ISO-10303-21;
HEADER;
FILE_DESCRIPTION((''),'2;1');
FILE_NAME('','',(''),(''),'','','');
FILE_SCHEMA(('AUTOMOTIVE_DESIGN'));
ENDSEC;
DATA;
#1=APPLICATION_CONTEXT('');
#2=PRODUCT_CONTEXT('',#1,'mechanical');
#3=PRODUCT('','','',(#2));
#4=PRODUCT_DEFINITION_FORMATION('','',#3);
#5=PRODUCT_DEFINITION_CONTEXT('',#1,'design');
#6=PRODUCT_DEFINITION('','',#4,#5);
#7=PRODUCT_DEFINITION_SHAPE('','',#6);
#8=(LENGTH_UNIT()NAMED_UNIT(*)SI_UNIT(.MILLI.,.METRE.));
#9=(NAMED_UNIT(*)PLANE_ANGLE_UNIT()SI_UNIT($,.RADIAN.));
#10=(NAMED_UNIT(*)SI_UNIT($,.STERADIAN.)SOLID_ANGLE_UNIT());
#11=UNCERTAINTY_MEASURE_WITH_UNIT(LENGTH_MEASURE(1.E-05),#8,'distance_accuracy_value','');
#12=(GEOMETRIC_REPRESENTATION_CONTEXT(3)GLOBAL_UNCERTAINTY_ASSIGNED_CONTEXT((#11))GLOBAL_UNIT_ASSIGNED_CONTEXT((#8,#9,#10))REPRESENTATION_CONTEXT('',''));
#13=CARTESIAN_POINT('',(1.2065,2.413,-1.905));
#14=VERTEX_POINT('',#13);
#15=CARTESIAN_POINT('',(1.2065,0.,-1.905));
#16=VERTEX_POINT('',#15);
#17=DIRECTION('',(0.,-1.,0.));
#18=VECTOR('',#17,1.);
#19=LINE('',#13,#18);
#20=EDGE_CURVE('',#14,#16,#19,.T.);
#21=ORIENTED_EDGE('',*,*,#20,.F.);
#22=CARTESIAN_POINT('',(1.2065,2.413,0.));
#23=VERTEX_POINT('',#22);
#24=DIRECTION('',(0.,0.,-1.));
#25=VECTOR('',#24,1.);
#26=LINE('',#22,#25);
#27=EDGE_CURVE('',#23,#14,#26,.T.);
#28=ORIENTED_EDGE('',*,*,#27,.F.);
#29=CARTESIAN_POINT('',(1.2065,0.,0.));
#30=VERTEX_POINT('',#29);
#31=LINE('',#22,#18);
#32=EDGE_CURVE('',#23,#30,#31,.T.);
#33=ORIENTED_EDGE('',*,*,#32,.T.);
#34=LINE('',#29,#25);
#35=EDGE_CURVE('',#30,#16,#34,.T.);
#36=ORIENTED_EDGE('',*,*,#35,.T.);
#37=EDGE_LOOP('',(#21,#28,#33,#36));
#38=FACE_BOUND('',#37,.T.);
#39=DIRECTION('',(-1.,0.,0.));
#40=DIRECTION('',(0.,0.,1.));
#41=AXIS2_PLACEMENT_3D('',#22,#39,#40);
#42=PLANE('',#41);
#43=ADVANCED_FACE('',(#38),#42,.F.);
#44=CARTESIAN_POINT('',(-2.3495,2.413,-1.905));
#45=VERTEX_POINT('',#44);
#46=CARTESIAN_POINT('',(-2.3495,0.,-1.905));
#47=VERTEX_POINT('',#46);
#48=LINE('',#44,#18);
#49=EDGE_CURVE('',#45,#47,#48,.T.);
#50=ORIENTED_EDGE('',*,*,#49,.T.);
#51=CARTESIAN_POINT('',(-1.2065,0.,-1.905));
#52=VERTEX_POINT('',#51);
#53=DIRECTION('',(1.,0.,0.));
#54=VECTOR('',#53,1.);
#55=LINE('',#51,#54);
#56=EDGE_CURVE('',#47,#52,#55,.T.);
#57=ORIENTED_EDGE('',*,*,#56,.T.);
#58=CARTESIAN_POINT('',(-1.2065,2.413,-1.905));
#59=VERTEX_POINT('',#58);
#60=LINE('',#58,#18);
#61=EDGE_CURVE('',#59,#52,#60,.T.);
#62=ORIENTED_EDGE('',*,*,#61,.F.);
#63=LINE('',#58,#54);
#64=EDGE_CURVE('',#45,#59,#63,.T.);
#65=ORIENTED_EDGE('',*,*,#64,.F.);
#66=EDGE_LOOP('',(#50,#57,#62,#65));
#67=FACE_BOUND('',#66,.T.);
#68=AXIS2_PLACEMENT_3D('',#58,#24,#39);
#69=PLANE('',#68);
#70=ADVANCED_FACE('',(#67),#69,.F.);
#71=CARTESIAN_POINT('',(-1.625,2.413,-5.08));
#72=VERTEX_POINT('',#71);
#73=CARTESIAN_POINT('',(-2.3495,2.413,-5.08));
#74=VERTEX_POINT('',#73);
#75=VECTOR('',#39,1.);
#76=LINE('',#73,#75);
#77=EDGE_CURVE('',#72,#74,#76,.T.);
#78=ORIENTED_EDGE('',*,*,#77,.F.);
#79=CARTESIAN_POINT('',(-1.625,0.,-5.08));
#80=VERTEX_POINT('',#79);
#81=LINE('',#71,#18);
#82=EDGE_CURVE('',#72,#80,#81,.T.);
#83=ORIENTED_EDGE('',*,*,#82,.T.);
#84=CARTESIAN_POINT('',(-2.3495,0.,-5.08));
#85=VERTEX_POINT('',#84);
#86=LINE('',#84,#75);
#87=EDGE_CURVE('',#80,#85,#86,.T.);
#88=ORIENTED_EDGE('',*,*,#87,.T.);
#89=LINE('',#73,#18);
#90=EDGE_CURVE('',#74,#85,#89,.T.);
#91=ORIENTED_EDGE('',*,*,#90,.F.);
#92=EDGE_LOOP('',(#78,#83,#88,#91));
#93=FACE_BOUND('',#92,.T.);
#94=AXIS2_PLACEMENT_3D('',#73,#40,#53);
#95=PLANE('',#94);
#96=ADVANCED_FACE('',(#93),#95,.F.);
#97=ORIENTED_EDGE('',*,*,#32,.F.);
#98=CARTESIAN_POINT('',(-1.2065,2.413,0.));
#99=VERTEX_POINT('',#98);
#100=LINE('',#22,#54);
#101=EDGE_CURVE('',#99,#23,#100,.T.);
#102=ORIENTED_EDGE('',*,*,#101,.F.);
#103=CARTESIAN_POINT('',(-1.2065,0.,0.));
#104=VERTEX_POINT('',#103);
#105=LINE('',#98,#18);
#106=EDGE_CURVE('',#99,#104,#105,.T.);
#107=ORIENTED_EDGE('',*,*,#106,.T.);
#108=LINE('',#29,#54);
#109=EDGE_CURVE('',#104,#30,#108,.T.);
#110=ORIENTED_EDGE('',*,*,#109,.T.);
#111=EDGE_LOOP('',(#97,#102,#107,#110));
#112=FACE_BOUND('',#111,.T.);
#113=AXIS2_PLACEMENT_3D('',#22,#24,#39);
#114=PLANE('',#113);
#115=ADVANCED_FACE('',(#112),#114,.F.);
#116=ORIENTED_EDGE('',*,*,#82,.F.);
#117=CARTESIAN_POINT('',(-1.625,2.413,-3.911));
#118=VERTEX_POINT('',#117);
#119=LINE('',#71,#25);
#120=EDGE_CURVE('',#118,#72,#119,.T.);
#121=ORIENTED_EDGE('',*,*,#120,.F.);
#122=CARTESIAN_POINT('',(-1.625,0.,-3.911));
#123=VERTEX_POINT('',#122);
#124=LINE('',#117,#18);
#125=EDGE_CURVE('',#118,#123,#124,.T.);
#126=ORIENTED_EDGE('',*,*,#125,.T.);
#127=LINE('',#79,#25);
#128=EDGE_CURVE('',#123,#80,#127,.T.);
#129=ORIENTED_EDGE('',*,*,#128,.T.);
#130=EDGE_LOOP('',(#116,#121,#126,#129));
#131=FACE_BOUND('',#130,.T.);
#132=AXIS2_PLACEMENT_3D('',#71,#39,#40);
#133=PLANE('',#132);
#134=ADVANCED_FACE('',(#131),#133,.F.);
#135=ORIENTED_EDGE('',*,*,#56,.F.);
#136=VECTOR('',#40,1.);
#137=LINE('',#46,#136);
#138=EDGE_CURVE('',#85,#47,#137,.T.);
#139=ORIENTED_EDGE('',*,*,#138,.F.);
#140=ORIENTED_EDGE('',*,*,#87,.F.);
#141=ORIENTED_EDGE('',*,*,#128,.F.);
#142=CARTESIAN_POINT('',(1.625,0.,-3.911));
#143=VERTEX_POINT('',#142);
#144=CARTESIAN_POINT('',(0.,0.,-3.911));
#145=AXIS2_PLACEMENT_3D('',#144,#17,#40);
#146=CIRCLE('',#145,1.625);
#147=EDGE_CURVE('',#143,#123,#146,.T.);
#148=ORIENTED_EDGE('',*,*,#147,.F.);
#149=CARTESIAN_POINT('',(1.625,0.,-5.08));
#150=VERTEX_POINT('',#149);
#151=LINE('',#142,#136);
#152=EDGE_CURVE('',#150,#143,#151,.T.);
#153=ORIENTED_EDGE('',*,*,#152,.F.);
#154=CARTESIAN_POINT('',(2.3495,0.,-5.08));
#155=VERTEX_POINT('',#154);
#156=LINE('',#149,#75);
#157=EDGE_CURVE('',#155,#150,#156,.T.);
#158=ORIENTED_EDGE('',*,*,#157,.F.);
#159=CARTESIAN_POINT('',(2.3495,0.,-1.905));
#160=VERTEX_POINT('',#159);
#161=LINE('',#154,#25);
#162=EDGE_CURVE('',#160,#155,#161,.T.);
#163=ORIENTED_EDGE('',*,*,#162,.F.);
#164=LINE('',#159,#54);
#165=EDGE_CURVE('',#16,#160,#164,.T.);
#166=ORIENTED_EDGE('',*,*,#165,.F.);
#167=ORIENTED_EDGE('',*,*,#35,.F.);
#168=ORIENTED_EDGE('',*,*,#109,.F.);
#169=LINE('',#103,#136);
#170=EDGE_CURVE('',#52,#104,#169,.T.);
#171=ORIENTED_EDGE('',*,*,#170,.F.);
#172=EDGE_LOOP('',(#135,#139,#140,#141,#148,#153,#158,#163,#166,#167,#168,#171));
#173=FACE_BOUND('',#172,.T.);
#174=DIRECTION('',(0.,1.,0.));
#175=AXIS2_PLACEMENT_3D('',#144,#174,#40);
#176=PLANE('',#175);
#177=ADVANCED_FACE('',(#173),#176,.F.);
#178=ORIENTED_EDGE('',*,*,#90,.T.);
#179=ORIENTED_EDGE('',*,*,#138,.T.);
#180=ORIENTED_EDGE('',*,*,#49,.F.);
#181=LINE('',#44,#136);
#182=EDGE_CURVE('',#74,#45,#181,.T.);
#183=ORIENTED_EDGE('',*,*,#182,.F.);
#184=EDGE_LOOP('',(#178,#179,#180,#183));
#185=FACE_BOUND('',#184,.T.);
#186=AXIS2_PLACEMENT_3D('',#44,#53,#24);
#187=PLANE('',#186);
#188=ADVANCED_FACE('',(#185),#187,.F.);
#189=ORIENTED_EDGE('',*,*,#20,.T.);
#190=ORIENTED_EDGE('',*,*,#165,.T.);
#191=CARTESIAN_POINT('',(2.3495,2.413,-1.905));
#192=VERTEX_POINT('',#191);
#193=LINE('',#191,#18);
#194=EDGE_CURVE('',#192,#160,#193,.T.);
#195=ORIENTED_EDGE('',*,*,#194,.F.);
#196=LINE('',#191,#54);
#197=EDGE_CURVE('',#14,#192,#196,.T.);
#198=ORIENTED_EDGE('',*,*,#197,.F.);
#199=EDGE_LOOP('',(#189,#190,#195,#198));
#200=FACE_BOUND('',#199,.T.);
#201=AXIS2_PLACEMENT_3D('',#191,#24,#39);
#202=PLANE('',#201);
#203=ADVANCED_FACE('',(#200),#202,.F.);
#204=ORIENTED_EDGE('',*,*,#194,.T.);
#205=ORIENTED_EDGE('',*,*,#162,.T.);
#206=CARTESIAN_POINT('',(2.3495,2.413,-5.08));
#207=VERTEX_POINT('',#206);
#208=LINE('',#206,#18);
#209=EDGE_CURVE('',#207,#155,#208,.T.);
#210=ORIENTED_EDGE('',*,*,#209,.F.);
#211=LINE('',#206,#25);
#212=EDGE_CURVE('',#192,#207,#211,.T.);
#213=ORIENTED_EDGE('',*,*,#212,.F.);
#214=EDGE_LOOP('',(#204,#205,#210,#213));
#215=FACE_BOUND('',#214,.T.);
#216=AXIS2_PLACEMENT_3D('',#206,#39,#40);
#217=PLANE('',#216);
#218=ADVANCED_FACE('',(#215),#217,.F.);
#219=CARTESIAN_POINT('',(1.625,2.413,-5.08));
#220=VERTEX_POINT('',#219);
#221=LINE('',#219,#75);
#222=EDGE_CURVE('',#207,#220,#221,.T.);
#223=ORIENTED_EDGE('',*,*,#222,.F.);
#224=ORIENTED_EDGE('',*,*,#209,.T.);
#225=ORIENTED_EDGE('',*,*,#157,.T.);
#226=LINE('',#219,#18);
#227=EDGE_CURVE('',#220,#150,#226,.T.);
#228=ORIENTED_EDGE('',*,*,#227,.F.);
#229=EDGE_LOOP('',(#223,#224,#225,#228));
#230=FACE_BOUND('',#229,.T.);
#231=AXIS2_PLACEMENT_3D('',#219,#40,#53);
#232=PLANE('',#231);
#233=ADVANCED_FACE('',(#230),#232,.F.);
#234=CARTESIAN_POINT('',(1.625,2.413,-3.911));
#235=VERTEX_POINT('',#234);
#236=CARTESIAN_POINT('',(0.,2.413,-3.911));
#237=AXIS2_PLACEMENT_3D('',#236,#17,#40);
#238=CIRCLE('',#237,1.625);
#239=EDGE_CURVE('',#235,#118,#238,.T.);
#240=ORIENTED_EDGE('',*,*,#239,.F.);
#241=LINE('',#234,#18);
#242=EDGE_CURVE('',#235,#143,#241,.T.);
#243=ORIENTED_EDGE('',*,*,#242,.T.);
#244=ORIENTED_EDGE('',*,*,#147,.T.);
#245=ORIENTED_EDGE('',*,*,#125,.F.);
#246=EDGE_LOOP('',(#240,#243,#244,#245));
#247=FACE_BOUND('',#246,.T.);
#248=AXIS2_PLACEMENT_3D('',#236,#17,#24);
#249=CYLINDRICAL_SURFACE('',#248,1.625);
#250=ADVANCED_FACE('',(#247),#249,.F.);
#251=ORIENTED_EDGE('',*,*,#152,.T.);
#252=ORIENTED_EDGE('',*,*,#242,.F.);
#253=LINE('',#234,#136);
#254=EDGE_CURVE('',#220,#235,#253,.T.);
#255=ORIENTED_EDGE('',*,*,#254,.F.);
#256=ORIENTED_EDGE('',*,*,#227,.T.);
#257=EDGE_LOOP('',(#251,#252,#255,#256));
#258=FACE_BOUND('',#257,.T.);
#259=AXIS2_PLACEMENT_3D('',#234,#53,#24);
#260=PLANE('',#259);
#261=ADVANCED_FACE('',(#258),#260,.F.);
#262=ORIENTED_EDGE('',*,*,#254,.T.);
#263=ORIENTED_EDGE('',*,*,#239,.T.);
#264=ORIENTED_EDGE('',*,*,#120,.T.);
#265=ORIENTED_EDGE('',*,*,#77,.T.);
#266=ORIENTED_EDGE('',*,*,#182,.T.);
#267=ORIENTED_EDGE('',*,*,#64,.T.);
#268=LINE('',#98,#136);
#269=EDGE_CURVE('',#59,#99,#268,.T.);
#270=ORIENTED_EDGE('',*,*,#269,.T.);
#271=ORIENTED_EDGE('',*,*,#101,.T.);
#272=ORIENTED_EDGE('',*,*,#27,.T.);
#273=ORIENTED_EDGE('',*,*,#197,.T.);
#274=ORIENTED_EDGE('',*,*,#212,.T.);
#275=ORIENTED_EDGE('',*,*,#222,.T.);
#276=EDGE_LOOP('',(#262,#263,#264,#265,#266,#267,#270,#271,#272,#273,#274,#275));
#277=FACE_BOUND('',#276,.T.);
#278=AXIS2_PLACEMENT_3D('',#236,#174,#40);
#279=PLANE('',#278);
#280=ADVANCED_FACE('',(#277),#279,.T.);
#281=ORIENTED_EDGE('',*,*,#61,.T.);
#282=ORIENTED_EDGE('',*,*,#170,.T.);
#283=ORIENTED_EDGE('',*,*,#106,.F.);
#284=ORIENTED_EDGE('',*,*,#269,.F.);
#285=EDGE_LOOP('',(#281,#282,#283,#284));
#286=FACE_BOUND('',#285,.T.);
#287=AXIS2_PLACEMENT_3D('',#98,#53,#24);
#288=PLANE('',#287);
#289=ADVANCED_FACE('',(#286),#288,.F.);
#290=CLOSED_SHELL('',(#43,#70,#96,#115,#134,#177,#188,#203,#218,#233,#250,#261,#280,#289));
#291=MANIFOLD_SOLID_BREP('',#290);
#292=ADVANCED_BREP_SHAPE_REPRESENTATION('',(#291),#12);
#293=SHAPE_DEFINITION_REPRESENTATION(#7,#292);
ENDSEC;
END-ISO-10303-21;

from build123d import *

# Parameters (mm, degrees)
BOSS_EXTRUDE1_DEPTH = 2.413


with BuildPart() as part:
    # Sketch1 → Boss-Extrude1 (new body)
    with BuildSketch(Plane(origin=(0, 0, 0), x_dir=(1, 0, 0), z_dir=(0, 1, 0))):
        with BuildLine():
            Line((1.2065, 0), (-1.2065, 0))
            Line((-1.2065, 0), (-1.2065, 1.905))
            Line((-1.2065, 1.905), (-2.3495, 1.905))
            Line((-2.3495, 1.905), (-2.3495, 5.08))
            Line((-2.3495, 5.08), (-1.625, 5.08))
            Line((-1.625, 5.08), (-1.625, 3.911))
            ThreePointArc((-1.625, 3.911), (0, 2.286), (1.625, 3.911))
            Line((1.625, 3.911), (1.625, 5.08))
            Line((1.625, 5.08), (2.3495, 5.08))
            Line((2.3495, 5.08), (2.3495, 1.905))
            Line((2.3495, 1.905), (1.2065, 1.905))
            Line((1.2065, 1.905), (1.2065, 0))
        make_face()
    extrude(amount=BOSS_EXTRUDE1_DEPTH)


solid = part.part
